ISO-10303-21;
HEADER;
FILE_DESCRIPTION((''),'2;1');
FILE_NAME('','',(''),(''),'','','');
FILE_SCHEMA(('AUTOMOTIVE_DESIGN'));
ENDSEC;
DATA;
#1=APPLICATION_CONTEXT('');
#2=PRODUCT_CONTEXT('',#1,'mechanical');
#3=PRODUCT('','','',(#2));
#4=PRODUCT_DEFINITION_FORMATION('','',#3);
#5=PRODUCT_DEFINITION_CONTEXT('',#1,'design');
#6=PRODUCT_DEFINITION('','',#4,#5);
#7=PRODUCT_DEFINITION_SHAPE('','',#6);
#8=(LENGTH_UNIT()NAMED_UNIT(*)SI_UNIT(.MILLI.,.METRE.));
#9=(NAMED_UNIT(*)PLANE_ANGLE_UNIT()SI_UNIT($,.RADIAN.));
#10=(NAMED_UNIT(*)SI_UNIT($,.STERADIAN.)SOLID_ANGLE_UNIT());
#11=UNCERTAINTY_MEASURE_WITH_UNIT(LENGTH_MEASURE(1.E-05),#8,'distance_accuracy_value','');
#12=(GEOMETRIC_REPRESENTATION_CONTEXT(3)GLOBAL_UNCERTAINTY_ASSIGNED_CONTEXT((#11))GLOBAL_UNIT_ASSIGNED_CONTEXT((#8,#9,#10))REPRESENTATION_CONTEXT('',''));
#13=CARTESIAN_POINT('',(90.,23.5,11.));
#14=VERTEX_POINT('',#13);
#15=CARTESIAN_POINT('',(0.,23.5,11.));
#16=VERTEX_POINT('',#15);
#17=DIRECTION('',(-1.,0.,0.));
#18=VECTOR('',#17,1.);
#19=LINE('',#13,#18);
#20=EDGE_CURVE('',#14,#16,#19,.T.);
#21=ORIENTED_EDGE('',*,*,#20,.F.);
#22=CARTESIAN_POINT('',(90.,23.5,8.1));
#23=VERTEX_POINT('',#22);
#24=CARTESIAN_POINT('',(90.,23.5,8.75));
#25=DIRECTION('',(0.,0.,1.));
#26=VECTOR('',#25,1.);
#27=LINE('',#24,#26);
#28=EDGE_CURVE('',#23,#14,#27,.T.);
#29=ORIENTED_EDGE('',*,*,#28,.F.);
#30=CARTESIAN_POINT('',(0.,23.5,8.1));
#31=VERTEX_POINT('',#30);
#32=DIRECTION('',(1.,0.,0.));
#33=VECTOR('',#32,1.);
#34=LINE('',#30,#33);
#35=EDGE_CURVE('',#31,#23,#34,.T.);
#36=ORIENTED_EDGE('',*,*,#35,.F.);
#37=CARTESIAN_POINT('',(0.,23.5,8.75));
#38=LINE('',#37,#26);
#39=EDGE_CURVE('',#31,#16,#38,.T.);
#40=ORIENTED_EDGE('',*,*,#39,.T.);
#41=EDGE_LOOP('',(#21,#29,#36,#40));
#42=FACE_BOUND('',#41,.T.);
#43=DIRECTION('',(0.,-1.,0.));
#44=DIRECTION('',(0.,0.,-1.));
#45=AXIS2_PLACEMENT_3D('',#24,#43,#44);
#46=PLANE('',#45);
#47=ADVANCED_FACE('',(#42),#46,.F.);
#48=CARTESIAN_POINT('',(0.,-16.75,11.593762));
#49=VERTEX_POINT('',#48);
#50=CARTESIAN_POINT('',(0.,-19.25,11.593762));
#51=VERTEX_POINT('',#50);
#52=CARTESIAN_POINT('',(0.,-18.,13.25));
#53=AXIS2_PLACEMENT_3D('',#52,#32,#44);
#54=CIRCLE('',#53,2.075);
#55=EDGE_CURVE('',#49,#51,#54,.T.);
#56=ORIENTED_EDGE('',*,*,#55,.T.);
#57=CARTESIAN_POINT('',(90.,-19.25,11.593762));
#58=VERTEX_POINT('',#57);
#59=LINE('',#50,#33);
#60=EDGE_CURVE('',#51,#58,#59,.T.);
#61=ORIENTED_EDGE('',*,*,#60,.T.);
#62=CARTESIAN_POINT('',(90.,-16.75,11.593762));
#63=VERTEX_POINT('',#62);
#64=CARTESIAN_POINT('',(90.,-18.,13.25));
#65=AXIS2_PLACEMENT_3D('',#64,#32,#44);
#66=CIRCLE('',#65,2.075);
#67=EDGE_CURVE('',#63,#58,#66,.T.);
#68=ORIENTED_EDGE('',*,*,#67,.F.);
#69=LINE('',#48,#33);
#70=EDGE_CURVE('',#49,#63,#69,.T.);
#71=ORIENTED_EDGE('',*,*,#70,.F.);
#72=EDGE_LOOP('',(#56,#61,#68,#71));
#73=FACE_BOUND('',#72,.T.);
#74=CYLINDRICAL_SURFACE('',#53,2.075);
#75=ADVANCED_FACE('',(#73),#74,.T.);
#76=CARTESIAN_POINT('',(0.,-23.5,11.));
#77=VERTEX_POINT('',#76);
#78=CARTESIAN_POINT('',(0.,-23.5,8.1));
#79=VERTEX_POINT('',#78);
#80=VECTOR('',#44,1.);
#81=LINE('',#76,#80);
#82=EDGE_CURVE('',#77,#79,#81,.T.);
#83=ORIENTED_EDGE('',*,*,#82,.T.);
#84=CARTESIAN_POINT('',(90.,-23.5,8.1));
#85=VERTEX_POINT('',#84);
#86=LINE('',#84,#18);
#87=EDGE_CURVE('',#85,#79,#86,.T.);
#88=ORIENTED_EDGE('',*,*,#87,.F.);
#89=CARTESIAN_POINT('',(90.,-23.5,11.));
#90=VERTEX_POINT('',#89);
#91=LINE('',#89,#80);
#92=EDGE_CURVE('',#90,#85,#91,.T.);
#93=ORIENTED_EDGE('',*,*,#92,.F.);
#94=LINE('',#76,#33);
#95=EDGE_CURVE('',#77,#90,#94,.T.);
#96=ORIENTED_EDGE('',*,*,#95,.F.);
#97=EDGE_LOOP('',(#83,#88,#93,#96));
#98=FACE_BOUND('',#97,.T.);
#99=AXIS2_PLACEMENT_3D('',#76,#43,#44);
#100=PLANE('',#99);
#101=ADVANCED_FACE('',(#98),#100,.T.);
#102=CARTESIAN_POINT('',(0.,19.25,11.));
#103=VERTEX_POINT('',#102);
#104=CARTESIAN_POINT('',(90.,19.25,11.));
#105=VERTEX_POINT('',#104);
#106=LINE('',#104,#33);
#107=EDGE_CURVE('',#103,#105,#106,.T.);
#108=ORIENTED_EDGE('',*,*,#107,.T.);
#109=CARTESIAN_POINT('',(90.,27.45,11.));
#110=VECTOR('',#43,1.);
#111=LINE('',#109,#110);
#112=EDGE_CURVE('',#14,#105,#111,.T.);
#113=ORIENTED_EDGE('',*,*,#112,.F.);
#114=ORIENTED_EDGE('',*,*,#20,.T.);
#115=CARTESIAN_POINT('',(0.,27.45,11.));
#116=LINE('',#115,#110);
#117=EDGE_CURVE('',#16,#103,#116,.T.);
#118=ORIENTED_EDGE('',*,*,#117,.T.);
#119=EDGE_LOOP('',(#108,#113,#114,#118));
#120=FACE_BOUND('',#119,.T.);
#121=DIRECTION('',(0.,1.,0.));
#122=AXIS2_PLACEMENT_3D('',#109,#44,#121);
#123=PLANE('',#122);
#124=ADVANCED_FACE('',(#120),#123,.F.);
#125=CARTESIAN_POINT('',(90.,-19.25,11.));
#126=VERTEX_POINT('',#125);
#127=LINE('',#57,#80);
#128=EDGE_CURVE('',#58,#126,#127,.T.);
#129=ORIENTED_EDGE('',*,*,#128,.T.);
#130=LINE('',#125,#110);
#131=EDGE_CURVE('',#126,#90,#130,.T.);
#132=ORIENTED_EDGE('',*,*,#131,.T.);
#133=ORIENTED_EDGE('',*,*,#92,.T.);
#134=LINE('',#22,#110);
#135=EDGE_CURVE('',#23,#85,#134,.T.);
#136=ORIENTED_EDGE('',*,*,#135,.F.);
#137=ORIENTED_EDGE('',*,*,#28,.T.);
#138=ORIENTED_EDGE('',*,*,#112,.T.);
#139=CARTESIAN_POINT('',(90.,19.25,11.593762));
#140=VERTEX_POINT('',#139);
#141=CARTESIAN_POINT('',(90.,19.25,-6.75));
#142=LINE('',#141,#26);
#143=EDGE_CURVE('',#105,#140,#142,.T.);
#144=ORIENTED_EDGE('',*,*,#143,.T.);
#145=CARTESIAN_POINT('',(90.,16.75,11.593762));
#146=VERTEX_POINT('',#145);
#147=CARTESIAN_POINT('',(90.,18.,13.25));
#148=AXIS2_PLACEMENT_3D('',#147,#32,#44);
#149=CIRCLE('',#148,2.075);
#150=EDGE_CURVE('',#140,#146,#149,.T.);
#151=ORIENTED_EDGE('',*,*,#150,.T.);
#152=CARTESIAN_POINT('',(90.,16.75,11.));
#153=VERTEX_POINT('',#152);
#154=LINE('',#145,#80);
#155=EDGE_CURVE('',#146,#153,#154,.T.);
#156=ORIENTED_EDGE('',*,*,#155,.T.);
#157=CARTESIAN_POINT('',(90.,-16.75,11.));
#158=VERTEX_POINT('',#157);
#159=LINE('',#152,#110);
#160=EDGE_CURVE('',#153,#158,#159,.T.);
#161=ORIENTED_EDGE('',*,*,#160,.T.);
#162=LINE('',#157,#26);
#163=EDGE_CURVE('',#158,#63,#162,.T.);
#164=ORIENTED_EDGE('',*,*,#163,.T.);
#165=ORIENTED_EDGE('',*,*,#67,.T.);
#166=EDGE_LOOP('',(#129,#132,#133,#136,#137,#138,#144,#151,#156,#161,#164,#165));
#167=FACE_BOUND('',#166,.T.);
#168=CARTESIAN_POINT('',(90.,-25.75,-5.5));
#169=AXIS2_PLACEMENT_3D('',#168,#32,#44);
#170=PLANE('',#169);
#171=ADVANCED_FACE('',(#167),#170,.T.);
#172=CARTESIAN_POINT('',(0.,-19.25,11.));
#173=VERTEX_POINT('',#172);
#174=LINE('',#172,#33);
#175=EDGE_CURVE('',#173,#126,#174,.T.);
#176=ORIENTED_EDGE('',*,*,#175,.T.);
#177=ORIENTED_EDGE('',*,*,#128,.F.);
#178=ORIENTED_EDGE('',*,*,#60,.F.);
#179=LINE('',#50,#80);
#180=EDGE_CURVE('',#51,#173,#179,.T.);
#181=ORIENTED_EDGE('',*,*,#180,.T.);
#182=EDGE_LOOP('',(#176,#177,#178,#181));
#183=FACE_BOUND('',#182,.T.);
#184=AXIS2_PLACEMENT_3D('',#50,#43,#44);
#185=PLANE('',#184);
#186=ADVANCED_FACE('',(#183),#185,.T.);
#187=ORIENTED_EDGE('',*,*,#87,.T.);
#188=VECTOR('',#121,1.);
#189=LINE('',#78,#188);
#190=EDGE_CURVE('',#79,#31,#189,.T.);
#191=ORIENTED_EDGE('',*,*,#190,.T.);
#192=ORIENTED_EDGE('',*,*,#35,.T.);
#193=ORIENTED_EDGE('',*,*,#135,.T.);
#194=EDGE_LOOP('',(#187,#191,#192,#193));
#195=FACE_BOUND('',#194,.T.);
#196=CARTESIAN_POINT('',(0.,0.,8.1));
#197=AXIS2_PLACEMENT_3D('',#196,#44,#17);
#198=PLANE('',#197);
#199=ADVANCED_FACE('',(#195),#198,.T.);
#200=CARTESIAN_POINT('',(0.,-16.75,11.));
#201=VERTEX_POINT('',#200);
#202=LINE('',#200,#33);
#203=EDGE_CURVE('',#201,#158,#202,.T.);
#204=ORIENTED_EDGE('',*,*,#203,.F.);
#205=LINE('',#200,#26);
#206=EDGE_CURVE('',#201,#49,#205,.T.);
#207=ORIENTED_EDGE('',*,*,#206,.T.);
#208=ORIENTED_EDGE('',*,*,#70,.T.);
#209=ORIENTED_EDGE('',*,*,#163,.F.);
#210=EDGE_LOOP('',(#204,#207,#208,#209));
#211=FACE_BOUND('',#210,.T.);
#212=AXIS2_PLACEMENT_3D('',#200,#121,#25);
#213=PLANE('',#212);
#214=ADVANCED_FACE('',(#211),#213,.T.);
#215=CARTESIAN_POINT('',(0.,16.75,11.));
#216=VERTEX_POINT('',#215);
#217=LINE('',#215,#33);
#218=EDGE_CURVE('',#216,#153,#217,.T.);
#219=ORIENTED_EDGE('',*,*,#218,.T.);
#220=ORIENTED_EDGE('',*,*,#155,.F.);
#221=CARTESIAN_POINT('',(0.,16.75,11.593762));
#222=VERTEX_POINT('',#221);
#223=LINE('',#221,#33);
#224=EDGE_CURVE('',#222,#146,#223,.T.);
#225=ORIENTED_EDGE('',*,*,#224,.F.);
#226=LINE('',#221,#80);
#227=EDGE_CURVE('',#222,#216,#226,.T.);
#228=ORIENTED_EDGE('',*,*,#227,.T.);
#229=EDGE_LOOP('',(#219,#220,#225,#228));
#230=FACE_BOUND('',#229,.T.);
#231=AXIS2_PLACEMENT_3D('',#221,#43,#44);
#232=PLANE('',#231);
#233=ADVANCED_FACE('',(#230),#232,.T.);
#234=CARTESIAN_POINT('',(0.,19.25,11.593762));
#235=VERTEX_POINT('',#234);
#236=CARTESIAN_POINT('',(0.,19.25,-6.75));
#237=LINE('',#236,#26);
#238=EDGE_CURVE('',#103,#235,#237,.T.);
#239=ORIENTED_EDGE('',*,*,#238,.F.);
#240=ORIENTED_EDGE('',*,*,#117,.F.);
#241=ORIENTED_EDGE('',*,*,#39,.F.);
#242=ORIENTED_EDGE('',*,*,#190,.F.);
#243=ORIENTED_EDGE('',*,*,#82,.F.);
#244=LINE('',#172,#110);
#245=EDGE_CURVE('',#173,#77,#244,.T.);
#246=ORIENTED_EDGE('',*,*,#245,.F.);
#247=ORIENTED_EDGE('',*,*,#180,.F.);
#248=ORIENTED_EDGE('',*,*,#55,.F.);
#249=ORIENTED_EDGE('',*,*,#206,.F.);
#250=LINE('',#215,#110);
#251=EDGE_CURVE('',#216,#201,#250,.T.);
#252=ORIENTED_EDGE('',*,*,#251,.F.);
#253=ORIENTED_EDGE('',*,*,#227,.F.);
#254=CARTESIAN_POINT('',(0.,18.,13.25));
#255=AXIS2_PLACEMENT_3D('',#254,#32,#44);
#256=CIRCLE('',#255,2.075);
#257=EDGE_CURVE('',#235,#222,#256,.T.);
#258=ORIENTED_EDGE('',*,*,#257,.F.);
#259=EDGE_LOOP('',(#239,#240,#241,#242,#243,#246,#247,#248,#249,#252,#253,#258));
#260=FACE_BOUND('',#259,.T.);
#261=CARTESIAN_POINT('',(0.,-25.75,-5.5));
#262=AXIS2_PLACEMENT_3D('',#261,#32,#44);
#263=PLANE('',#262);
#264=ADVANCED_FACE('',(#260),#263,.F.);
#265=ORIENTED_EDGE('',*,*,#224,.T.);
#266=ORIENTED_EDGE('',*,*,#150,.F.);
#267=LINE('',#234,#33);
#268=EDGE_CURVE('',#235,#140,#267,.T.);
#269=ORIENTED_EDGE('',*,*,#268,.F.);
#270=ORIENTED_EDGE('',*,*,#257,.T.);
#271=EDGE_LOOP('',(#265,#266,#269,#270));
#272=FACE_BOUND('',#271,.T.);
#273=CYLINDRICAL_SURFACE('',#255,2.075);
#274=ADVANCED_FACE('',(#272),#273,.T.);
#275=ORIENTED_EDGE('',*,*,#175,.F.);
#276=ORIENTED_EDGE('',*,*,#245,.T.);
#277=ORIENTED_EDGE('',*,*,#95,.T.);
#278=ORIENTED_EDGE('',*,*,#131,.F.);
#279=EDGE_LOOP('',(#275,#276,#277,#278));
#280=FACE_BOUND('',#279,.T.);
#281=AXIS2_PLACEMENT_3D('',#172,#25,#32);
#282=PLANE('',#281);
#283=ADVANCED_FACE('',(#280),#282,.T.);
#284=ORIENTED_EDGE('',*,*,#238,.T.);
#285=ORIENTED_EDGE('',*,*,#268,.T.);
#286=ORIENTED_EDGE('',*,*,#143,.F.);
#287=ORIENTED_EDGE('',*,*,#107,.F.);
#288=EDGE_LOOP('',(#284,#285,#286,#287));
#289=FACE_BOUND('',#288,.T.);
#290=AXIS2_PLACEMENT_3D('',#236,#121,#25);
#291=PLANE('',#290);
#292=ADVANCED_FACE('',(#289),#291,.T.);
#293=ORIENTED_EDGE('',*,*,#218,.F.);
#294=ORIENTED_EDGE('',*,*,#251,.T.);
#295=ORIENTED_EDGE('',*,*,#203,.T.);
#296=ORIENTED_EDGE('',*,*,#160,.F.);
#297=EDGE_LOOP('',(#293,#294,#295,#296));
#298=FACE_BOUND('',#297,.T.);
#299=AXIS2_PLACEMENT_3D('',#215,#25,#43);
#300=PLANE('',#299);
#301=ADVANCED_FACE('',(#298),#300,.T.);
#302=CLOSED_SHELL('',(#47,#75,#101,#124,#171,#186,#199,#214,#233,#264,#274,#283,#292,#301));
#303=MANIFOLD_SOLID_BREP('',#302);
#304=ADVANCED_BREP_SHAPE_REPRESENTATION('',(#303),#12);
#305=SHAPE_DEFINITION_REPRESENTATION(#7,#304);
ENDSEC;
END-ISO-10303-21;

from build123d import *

# Parameters (mm, degrees)
EXTRUDE_1_DEPTH             = 90
SKETCH_2_W                  = 90
SKETCH_2_H                  = 17.75
EXTRUDE_2_DEPTH             = 8.2
SKETCH_3_W                  = 90
SKETCH_3_H                  = 50.95
EXTRUDE_3_DEPTH             = 8.2
SKETCH_4_W                  = 3.95
SKETCH_4_H                  = 29.5
CUT_EXTRUDE_1_DEPTH         = 96.44153315
SKETCH_5_W                  = 3.95
SKETCH_5_H                  = 6.2
CUT_EXTRUDE_2_DEPTH         = 96.44153315
SKETCH_6_W                  = 2.25
SKETCH_6_H                  = 3.95
CUT_EXTRUDE_3_DEPTH         = 96.44153315
SKETCH_7_W                  = 4.5
SKETCH_7_H                  = 3.95
CUT_EXTRUDE_4_DEPTH         = 96.44153315
SKETCH_8_W                  = 2.25
SKETCH_8_H                  = 3.95
CUT_EXTRUDE_5_DEPTH         = 96.44153315
SKETCH_9_W                  = 3.95
SKETCH_9_H                  = 2.25
CUT_EXTRUDE_6_DEPTH         = 96.44153315
SKETCH_10_W                 = 20.2
SKETCH_10_H                 = 45.2
CUT_EXTRUDE_7_DEPTH         = 86
HOLE_WIZARD_2_5_2_5_1_D     = 2.5
HOLE_WIZARD_4_5_4_5_1_D     = 4.5
HOLE_WIZARD_8_3_8_3_1_D     = 8.3
HOLE_WIZARD_8_3_8_3_1_DEPTH = 3.2
FILLET_1_R                  = 2
FILLET_2_R                  = 2
EXTRUDE_START               = -90
SKETCH_17_R                 = 1.25
EXTRUDE_4_DEPTH             = 90
CUT_EXTRUDE_START           = -100
SKETCH_18_R                 = 4.15
CUT_EXTRUDE_8_DEPTH         = 100
CUT_EXTRUDE_11_DEPTH        = 108
CUT_EXTRUDE_12_DEPTH        = 108
SKETCH_21_W                 = 90
SKETCH_21_H                 = 47
EXTRUDE_5_DEPTH             = 2


with BuildPart() as part:
    # Эскиз1 → Бобышка-Вытянуть1 (new body)
    with BuildSketch(Plane(origin=(90, 0, 0), x_dir=(0, 0, -1), z_dir=(1, 0, 0))):
        with BuildLine():
            Line((6.75, -24.093761792), (6.75, 19.25))
            Line((6.75, 19.25), (-11.593761792, 19.25))
            ThreePointArc((-11.593761792, 19.25), (-15.325, 18), (-11.593761792, 16.75))
            Line((-11.593761792, 16.75), (-11, 16.75))
            Line((-11, 16.75), (-11, -16.75))
            Line((-11, -16.75), (-11.593761792, -16.75))
            ThreePointArc((-11.593761792, -16.75), (-15.325, -18), (-11.593761792, -19.25))
            Line((-11.593761792, -19.25), (-11, -19.25))
            Line((-11, -19.25), (-11, -23.5))
            Line((-11, -23.5), (-6.75, -23.5))
            Line((-6.75, -23.5), (-6.75, -24.093761792))
            ThreePointArc((-6.75, -24.093761792), (-5.5, -27.825), (-4.25, -24.093761792))
            Line((-4.25, -24.093761792), (-4.25, -23.5))
            Line((-4.25, -23.5), (4.25, -23.5))
            Line((4.25, -23.5), (4.25, -24.093761792))
            ThreePointArc((4.25, -24.093761792), (5.5, -27.825), (6.75, -24.093761792))
        make_face()
    extrude(amount=-EXTRUDE_1_DEPTH)

    # Эскиз2 → Бобышка-Вытянуть2 (add)
    with BuildSketch(Plane(origin=(0, 19.25, 0), x_dir=(-1, 0, 0), z_dir=(0, 1, 0))):
        with Locations((-45, 2.125)):
            Rectangle(SKETCH_2_W, SKETCH_2_H)
    extrude(amount=EXTRUDE_2_DEPTH)

    # Эскиз3 → Бобышка-Вытянуть3 (add)
    with BuildSketch(Plane(origin=(0, 0, -6.75), x_dir=(-1, 0, 0), z_dir=(0, 0, -1))):
        with Locations((-45, 1.975)):
            Rectangle(SKETCH_3_W, SKETCH_3_H)
    extrude(amount=EXTRUDE_3_DEPTH)

    # Эскиз4 → Вырез-Вытянуть1 (cut, through all)
    with BuildSketch(Plane.ZY):
        with Locations((-12.975, 0)):
            Rectangle(SKETCH_4_W, SKETCH_4_H)
    extrude(amount=-CUT_EXTRUDE_1_DEPTH, mode=Mode.SUBTRACT)

    # Эскиз5 → Вырез-Вытянуть2 (cut, through all)
    with BuildSketch(Plane.ZY):
        with Locations((-12.975, 24.35)):
            Rectangle(SKETCH_5_W, SKETCH_5_H)
    extrude(amount=-CUT_EXTRUDE_2_DEPTH, mode=Mode.SUBTRACT)

    # Эскиз6 → Вырез-Вытянуть3 (cut, through all)
    with BuildSketch(Plane.ZY):
        with Locations((-9.875, 25.475)):
            Rectangle(SKETCH_6_W, SKETCH_6_H)
    extrude(amount=-CUT_EXTRUDE_3_DEPTH, mode=Mode.SUBTRACT)

    # Эскиз7 → Вырез-Вытянуть4 (cut, through all)
    with BuildSketch(Plane.ZY):
        with Locations((0, 25.475)):
            Rectangle(SKETCH_7_W, SKETCH_7_H)
    extrude(amount=-CUT_EXTRUDE_4_DEPTH, mode=Mode.SUBTRACT)

    # Эскиз8 → Вырез-Вытянуть5 (cut, through all)
    with BuildSketch(Plane.ZY):
        with Locations((9.875, 25.475)):
            Rectangle(SKETCH_8_W, SKETCH_8_H)
    extrude(amount=-CUT_EXTRUDE_5_DEPTH, mode=Mode.SUBTRACT)

    # Эскиз9 → Вырез-Вытянуть6 (cut, through all)
    with BuildSketch(Plane.ZY):
        with Locations((-12.975, -22.375)):
            Rectangle(SKETCH_9_W, SKETCH_9_H)
    extrude(amount=-CUT_EXTRUDE_6_DEPTH, mode=Mode.SUBTRACT)

    # Эскиз10 → Вырез-Вытянуть7 (cut)
    with BuildSketch(Plane(origin=(90, 0, 0), x_dir=(0, 0, -1), z_dir=(1, 0, 0))):
        Rectangle(SKETCH_10_W, SKETCH_10_H)
    extrude(amount=-CUT_EXTRUDE_7_DEPTH, mode=Mode.SUBTRACT)

    # Диаметр отверстия Ø2.5 (2.5)1 (through all)
    with Locations(Plane(origin=(90, 0, 0), x_dir=(0, 0, -1), z_dir=(1, 0, 0))):
        with Locations((5.5, -25.75), (-13.25, -18), (-5.5, -25.75), (-13.25, 18)):
            Hole(HOLE_WIZARD_2_5_2_5_1_D / 2)

    # Диаметр отверстия Ø4.5 (4.5)1 (through all)
    with Locations(Plane.ZY):
        with Locations((-13.25, -18), (-13.25, 18), (-5.5, 25.75), (5.5, 25.75)):
            Hole(HOLE_WIZARD_4_5_4_5_1_D / 2)

    # Диаметр отверстия Ø8.3 (8.3)1
    with Locations(Plane.ZY):
        with Locations((0, 0)):
            Hole(HOLE_WIZARD_8_3_8_3_1_D / 2, depth=HOLE_WIZARD_8_3_8_3_1_DEPTH)

    # Скругление1
    fillet_1_edges = [part.edges().sort_by_distance(p)[0] for p in [
        (45, 23.5, 8.75),
    ]]
    fillet(fillet_1_edges, radius=FILLET_1_R)

    # Скругление2
    fillet_2_edges = [part.edges().sort_by_distance(p)[0] for p in [
        (45, 23.5, -8.75),
        (45, 23.5, 2.25),
        (45, 23.5, -2.25),
        (45, -21.25, -11),
        (4, 0, -10.1),
        (4, -22.6, 0),
        (4, 0, 10.1),
        (4, 22.6, 0),
        (45, 14.75, -11),
        (45, -14.75, -11),
        (45, 21.25, -11),
    ]]
    fillet(fillet_2_edges, radius=FILLET_2_R)

    # Эскиз17 → Бобышка-Вытянуть4 (add)
    with BuildSketch(Plane(origin=(90, 0, 0), x_dir=(0, 0, -1), z_dir=(1, 0, 0)).offset(EXTRUDE_START)):
        with Locations((5.5, -25.75)):
            Circle(SKETCH_17_R)
        with Locations((-5.5, -25.75)):
            Circle(SKETCH_17_R)
        with Locations((-13.25, -18)):
            Circle(SKETCH_17_R)
        with Locations((-13.25, 18)):
            Circle(SKETCH_17_R)
    extrude(amount=EXTRUDE_4_DEPTH)

    # Эскиз18 → Вырез-Вытянуть8 (cut)
    with BuildSketch(Plane.ZY.offset(CUT_EXTRUDE_START)):
        Circle(SKETCH_18_R)
    extrude(amount=CUT_EXTRUDE_8_DEPTH, mode=Mode.SUBTRACT)

    # Эскиз19 → Вырез-Вытянуть11 (cut)
    with BuildSketch(Plane(origin=(90, 0, 0), x_dir=(0, 0, -1), z_dir=(1, 0, 0))):
        Polygon((-10.1, -22.6), (-10.1, 22.6), (-10.1, 31.781046402), (18.117629079, 31.781046402), (18.667008159, -30.769686003), (-10.1, -30.769686003), align=None)
    extrude(amount=-CUT_EXTRUDE_11_DEPTH, mode=Mode.SUBTRACT)

    # Эскиз20 → Вырез-Вытянуть12 (cut)
    with BuildSketch(Plane(origin=(90, 0, 0), x_dir=(0, 0, -1), z_dir=(1, 0, 0))):
        with BuildLine():
            Line((-10.75, 23.5), (-10.1, 23.5))
            Line((-10.1, 23.5), (-10.1, 23.608571968))
            ThreePointArc((-10.1, 23.608571968), (-10.420497393, 23.52732972), (-10.75, 23.5))
        make_face()
    extrude(amount=-CUT_EXTRUDE_12_DEPTH, mode=Mode.SUBTRACT)

    # Эскиз21 → Бобышка-Вытянуть5 (add)
    with BuildSketch(Plane(origin=(0, 0, 10.1), x_dir=(-1, 0, 0), z_dir=(0, 0, -1))):
        with Locations((-45, 0)):
            Rectangle(SKETCH_21_W, SKETCH_21_H)
    extrude(amount=EXTRUDE_5_DEPTH)


solid = part.part
